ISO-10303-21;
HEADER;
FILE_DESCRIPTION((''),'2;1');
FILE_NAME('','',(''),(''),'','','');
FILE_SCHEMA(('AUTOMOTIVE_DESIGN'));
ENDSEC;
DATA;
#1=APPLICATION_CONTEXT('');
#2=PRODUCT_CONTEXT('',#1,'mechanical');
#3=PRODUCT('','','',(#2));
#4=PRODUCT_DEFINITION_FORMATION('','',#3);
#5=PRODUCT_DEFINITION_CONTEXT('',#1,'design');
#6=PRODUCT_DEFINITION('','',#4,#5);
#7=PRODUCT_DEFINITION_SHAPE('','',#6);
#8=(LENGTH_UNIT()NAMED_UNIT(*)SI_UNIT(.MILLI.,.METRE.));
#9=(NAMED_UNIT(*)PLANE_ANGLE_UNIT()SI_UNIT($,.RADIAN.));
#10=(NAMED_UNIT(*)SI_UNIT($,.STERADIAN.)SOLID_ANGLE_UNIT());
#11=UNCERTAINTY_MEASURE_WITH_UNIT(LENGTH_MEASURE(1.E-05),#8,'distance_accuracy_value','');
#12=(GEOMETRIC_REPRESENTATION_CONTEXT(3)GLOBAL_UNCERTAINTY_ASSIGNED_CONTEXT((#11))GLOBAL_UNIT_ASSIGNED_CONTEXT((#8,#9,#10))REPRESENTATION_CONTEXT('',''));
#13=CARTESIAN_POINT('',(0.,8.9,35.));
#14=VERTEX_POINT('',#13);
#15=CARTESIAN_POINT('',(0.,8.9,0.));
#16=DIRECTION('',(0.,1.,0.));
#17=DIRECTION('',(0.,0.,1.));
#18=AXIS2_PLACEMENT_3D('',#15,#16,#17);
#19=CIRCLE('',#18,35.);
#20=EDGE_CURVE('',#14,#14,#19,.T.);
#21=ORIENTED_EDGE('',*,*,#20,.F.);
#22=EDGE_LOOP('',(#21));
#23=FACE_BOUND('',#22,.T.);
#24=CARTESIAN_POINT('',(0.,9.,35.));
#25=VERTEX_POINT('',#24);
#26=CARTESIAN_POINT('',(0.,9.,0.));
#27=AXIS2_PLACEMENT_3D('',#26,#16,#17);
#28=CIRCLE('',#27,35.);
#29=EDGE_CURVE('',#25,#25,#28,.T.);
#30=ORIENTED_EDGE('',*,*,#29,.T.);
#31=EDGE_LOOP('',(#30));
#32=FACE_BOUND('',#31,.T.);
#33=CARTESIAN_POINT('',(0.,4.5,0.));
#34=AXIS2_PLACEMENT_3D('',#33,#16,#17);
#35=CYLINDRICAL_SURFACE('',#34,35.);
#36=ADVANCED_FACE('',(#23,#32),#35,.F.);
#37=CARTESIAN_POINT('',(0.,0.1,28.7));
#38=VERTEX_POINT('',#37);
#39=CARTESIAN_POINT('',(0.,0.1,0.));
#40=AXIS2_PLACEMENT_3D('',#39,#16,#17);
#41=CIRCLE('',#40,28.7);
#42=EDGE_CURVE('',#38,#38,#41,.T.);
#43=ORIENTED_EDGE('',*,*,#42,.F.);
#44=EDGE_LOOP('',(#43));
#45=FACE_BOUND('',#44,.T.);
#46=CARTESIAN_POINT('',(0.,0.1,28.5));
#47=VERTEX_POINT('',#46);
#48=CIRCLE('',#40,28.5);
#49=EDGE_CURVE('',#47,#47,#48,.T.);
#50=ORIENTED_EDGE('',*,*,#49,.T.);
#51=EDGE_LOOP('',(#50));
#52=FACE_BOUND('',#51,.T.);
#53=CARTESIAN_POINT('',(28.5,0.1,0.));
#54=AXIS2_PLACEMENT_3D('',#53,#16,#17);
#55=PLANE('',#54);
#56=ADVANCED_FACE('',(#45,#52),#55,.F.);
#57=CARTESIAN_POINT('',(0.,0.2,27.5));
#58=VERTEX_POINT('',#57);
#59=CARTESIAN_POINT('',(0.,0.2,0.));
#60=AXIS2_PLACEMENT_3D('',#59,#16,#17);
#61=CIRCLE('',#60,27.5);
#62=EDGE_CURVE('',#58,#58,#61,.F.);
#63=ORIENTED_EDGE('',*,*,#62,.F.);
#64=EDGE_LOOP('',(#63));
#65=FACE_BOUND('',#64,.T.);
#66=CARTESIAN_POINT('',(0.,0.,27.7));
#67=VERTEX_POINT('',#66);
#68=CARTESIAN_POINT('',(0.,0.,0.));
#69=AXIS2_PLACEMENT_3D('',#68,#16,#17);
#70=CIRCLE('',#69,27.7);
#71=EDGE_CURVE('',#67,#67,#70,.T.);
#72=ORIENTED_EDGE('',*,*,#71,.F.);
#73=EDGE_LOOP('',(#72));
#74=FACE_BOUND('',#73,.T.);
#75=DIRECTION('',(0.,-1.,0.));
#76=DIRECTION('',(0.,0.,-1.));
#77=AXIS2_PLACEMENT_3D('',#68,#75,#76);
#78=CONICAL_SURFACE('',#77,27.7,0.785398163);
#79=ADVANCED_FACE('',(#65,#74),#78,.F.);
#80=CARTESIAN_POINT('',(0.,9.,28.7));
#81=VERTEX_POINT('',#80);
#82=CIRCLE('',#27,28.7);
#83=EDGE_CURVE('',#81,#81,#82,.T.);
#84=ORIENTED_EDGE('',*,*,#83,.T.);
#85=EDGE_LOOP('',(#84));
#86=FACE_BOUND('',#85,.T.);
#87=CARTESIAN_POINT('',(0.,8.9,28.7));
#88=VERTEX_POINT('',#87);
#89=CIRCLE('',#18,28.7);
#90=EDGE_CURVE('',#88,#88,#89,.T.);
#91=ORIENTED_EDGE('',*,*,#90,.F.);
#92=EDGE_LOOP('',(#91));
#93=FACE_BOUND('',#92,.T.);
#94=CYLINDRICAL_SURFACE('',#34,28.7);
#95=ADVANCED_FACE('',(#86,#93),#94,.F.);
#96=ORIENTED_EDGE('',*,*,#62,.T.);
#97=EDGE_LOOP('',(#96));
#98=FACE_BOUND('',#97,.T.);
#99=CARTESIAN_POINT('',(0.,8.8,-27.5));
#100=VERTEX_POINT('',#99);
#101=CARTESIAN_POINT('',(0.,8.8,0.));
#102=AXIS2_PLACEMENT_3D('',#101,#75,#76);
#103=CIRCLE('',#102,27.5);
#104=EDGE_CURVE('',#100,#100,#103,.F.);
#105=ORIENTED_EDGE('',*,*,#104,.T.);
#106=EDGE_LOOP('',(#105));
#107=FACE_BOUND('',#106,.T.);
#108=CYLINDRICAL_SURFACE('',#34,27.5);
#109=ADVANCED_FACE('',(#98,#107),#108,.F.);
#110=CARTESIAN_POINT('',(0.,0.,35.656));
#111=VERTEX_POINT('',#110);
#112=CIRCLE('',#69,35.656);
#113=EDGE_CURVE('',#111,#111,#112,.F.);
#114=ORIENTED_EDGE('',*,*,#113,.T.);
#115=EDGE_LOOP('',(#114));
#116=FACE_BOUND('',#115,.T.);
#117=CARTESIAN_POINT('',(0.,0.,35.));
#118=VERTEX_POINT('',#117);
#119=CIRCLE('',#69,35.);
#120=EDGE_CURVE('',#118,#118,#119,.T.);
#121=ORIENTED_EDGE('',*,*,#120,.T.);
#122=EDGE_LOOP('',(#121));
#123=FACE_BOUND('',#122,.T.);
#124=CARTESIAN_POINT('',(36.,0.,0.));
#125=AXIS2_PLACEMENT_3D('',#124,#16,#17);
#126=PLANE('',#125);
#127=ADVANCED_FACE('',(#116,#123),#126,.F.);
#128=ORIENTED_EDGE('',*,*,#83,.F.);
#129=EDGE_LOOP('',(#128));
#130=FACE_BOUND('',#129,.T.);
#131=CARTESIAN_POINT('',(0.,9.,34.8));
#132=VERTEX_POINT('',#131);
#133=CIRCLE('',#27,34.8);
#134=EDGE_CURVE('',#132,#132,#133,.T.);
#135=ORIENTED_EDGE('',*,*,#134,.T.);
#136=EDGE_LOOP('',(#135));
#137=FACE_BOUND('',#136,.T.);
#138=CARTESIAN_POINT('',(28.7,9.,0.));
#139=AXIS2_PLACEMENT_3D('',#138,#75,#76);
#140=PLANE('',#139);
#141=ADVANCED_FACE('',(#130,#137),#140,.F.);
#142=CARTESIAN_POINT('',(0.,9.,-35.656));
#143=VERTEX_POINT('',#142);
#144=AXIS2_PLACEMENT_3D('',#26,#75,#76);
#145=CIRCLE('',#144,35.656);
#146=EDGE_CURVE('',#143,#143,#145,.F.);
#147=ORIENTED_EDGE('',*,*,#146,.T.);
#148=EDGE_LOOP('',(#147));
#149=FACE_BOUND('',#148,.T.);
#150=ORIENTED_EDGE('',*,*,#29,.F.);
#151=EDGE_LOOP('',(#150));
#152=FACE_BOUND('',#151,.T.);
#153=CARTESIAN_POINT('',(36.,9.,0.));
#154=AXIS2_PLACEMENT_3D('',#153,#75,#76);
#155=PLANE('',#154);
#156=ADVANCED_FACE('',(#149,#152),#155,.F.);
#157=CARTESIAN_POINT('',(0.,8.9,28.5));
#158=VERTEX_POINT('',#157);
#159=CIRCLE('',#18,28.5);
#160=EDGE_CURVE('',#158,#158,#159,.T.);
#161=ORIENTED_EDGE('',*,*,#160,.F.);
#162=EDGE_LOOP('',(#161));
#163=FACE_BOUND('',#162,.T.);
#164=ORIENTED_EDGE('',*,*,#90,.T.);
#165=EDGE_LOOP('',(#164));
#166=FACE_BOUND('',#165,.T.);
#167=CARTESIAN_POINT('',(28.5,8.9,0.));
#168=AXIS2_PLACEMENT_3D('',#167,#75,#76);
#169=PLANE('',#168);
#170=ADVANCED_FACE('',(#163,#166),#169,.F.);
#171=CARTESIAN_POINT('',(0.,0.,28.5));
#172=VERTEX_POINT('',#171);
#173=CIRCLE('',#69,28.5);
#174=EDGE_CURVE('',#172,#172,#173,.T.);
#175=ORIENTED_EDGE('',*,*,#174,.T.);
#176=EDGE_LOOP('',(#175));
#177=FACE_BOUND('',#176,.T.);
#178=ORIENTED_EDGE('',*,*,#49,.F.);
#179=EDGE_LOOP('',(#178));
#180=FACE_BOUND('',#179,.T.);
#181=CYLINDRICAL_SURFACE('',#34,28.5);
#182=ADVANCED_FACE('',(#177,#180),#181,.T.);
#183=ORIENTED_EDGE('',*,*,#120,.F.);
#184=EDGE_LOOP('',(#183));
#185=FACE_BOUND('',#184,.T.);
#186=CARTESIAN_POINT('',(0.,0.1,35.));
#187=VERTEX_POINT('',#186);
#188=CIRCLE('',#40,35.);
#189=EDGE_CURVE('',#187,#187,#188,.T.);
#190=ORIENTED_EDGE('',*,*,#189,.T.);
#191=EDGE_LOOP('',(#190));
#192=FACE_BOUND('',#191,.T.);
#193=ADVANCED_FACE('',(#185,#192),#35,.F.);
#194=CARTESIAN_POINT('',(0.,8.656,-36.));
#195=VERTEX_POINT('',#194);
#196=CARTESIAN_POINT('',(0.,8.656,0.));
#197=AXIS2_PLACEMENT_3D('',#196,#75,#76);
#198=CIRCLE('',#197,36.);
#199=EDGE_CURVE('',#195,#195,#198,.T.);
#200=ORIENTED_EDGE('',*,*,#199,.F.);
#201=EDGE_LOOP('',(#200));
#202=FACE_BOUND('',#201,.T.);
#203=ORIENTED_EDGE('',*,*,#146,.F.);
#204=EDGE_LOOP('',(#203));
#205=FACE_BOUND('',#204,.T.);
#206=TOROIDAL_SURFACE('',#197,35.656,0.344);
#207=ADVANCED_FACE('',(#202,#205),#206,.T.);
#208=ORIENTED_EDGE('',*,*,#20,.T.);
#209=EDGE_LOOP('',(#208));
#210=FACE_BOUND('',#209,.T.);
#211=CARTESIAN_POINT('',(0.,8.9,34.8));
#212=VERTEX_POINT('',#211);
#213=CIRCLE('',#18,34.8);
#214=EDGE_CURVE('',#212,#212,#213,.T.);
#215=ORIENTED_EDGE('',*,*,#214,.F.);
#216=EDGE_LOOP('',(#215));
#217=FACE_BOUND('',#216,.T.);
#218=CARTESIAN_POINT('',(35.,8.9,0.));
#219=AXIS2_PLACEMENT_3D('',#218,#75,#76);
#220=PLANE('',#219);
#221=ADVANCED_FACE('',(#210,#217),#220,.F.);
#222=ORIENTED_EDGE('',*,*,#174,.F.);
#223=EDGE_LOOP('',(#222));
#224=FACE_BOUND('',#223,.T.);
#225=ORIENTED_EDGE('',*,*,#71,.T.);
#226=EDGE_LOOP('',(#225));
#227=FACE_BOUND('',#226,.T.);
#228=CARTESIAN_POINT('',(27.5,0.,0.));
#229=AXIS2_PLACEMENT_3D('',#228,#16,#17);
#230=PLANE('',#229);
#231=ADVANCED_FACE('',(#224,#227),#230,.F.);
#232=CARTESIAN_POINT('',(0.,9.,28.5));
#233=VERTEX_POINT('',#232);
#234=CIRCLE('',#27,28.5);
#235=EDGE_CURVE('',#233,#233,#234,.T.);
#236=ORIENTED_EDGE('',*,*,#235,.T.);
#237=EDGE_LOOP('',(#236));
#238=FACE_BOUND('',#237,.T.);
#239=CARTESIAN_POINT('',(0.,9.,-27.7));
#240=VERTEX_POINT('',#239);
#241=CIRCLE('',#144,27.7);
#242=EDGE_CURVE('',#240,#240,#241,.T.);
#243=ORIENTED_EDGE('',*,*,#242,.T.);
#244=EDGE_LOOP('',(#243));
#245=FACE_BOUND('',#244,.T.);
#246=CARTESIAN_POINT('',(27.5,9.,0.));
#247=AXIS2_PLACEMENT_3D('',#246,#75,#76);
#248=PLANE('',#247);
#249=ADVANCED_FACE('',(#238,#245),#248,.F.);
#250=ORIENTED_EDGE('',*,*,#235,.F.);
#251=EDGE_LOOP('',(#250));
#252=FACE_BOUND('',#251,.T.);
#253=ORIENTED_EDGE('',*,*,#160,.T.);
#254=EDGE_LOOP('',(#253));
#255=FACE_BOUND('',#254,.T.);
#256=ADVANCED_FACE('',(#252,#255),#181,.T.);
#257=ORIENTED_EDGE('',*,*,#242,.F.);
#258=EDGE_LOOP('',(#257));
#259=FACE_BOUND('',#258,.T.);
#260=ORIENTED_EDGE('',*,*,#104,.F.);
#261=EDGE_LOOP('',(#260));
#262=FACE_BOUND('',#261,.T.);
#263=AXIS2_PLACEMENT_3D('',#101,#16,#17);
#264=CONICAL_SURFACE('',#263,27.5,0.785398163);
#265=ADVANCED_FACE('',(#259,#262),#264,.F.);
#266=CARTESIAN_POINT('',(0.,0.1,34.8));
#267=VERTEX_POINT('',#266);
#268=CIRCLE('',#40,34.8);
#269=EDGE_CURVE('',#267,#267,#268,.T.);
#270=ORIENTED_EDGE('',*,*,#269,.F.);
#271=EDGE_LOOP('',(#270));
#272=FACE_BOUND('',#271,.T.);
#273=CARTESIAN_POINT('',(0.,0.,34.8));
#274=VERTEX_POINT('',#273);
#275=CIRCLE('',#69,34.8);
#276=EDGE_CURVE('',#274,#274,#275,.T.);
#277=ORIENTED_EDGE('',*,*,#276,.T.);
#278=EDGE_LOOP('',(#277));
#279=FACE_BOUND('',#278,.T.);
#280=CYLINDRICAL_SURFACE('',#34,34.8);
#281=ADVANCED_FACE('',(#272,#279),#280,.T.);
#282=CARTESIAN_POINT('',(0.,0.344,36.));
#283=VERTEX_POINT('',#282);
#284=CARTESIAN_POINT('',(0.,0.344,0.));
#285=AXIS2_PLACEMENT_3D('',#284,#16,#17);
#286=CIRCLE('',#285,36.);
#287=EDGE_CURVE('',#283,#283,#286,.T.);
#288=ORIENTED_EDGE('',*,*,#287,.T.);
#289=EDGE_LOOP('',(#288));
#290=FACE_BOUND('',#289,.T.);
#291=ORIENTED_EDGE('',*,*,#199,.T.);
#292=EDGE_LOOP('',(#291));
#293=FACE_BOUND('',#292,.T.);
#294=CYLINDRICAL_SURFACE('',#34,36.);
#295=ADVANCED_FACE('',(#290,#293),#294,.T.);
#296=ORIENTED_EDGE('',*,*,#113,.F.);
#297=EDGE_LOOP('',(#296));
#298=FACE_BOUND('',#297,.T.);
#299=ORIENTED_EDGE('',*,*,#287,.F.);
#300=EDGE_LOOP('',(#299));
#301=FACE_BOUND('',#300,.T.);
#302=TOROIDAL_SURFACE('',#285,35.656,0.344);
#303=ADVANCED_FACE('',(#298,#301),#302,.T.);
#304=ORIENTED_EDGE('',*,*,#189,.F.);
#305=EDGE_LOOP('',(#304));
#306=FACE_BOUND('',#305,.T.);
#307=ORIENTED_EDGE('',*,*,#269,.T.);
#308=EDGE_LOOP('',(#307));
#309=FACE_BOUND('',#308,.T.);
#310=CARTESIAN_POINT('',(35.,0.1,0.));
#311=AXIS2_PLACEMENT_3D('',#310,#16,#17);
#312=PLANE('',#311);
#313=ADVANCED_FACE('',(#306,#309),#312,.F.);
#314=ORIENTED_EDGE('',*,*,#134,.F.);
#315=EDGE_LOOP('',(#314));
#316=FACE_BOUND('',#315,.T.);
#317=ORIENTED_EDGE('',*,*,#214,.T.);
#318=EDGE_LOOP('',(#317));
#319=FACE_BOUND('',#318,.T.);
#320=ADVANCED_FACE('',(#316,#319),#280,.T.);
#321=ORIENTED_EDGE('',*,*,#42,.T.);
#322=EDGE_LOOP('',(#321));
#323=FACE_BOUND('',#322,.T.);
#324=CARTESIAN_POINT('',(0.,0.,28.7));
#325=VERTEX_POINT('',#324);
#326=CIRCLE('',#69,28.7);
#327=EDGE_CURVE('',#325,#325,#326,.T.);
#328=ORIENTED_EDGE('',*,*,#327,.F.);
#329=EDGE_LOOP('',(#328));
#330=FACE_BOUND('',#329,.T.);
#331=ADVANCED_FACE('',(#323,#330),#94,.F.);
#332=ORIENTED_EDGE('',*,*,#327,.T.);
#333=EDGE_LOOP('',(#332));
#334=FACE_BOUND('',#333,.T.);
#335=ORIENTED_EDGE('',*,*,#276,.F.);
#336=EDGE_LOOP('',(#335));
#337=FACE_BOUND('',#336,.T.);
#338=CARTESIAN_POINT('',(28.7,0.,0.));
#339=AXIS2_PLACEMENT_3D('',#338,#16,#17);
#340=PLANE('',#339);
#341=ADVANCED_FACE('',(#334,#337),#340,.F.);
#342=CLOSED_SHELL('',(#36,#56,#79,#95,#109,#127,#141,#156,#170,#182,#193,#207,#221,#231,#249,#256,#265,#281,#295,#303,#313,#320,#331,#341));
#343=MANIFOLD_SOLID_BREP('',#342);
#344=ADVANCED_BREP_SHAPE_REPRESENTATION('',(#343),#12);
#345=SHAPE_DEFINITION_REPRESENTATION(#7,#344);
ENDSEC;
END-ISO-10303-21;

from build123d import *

# Parameters (mm, degrees)
FILLET2_R     = 0.344
CHAMFER2_SIZE = 0.2


with BuildPart() as part:
    # Sketch1 → Revolve1 (revolve)
    with BuildSketch(Plane.XY, mode=Mode.PRIVATE) as revolve1_sk:
        Polygon((36, 0), (36, 9), (35, 9), (35, 8.9), (34.8, 8.9), (34.8, 9), (28.7, 9), (28.7, 8.9), (28.5, 8.9), (28.5, 9), (27.5, 9), (27.5, 0), (28.5, 0), (28.5, 0.1), (28.7, 0.1), (28.7, 0), (34.8, 0), (34.8, 0.1), (35, 0.1), (35, 0), align=None)
    revolve(revolve1_sk.sketch.rotate(Axis((0, 4.5, 0), (0, -1, 0)), 90), axis=Axis((0, 4.5, 0), (0, -1, 0)))

    # Fillet2
    fillet2_edges = [part.edges().sort_by_distance(p)[0] for p in [
        (0, 0, -36),
        (0, 9, -36),
    ]]
    fillet(fillet2_edges, radius=FILLET2_R)

    # Chamfer2
    chamfer2_edges = [part.edges().sort_by_distance(p)[0] for p in [
        (0, 9, -27.5),
        (0, 0, -27.5),
    ]]
    chamfer(chamfer2_edges, length=CHAMFER2_SIZE)


solid = part.part
